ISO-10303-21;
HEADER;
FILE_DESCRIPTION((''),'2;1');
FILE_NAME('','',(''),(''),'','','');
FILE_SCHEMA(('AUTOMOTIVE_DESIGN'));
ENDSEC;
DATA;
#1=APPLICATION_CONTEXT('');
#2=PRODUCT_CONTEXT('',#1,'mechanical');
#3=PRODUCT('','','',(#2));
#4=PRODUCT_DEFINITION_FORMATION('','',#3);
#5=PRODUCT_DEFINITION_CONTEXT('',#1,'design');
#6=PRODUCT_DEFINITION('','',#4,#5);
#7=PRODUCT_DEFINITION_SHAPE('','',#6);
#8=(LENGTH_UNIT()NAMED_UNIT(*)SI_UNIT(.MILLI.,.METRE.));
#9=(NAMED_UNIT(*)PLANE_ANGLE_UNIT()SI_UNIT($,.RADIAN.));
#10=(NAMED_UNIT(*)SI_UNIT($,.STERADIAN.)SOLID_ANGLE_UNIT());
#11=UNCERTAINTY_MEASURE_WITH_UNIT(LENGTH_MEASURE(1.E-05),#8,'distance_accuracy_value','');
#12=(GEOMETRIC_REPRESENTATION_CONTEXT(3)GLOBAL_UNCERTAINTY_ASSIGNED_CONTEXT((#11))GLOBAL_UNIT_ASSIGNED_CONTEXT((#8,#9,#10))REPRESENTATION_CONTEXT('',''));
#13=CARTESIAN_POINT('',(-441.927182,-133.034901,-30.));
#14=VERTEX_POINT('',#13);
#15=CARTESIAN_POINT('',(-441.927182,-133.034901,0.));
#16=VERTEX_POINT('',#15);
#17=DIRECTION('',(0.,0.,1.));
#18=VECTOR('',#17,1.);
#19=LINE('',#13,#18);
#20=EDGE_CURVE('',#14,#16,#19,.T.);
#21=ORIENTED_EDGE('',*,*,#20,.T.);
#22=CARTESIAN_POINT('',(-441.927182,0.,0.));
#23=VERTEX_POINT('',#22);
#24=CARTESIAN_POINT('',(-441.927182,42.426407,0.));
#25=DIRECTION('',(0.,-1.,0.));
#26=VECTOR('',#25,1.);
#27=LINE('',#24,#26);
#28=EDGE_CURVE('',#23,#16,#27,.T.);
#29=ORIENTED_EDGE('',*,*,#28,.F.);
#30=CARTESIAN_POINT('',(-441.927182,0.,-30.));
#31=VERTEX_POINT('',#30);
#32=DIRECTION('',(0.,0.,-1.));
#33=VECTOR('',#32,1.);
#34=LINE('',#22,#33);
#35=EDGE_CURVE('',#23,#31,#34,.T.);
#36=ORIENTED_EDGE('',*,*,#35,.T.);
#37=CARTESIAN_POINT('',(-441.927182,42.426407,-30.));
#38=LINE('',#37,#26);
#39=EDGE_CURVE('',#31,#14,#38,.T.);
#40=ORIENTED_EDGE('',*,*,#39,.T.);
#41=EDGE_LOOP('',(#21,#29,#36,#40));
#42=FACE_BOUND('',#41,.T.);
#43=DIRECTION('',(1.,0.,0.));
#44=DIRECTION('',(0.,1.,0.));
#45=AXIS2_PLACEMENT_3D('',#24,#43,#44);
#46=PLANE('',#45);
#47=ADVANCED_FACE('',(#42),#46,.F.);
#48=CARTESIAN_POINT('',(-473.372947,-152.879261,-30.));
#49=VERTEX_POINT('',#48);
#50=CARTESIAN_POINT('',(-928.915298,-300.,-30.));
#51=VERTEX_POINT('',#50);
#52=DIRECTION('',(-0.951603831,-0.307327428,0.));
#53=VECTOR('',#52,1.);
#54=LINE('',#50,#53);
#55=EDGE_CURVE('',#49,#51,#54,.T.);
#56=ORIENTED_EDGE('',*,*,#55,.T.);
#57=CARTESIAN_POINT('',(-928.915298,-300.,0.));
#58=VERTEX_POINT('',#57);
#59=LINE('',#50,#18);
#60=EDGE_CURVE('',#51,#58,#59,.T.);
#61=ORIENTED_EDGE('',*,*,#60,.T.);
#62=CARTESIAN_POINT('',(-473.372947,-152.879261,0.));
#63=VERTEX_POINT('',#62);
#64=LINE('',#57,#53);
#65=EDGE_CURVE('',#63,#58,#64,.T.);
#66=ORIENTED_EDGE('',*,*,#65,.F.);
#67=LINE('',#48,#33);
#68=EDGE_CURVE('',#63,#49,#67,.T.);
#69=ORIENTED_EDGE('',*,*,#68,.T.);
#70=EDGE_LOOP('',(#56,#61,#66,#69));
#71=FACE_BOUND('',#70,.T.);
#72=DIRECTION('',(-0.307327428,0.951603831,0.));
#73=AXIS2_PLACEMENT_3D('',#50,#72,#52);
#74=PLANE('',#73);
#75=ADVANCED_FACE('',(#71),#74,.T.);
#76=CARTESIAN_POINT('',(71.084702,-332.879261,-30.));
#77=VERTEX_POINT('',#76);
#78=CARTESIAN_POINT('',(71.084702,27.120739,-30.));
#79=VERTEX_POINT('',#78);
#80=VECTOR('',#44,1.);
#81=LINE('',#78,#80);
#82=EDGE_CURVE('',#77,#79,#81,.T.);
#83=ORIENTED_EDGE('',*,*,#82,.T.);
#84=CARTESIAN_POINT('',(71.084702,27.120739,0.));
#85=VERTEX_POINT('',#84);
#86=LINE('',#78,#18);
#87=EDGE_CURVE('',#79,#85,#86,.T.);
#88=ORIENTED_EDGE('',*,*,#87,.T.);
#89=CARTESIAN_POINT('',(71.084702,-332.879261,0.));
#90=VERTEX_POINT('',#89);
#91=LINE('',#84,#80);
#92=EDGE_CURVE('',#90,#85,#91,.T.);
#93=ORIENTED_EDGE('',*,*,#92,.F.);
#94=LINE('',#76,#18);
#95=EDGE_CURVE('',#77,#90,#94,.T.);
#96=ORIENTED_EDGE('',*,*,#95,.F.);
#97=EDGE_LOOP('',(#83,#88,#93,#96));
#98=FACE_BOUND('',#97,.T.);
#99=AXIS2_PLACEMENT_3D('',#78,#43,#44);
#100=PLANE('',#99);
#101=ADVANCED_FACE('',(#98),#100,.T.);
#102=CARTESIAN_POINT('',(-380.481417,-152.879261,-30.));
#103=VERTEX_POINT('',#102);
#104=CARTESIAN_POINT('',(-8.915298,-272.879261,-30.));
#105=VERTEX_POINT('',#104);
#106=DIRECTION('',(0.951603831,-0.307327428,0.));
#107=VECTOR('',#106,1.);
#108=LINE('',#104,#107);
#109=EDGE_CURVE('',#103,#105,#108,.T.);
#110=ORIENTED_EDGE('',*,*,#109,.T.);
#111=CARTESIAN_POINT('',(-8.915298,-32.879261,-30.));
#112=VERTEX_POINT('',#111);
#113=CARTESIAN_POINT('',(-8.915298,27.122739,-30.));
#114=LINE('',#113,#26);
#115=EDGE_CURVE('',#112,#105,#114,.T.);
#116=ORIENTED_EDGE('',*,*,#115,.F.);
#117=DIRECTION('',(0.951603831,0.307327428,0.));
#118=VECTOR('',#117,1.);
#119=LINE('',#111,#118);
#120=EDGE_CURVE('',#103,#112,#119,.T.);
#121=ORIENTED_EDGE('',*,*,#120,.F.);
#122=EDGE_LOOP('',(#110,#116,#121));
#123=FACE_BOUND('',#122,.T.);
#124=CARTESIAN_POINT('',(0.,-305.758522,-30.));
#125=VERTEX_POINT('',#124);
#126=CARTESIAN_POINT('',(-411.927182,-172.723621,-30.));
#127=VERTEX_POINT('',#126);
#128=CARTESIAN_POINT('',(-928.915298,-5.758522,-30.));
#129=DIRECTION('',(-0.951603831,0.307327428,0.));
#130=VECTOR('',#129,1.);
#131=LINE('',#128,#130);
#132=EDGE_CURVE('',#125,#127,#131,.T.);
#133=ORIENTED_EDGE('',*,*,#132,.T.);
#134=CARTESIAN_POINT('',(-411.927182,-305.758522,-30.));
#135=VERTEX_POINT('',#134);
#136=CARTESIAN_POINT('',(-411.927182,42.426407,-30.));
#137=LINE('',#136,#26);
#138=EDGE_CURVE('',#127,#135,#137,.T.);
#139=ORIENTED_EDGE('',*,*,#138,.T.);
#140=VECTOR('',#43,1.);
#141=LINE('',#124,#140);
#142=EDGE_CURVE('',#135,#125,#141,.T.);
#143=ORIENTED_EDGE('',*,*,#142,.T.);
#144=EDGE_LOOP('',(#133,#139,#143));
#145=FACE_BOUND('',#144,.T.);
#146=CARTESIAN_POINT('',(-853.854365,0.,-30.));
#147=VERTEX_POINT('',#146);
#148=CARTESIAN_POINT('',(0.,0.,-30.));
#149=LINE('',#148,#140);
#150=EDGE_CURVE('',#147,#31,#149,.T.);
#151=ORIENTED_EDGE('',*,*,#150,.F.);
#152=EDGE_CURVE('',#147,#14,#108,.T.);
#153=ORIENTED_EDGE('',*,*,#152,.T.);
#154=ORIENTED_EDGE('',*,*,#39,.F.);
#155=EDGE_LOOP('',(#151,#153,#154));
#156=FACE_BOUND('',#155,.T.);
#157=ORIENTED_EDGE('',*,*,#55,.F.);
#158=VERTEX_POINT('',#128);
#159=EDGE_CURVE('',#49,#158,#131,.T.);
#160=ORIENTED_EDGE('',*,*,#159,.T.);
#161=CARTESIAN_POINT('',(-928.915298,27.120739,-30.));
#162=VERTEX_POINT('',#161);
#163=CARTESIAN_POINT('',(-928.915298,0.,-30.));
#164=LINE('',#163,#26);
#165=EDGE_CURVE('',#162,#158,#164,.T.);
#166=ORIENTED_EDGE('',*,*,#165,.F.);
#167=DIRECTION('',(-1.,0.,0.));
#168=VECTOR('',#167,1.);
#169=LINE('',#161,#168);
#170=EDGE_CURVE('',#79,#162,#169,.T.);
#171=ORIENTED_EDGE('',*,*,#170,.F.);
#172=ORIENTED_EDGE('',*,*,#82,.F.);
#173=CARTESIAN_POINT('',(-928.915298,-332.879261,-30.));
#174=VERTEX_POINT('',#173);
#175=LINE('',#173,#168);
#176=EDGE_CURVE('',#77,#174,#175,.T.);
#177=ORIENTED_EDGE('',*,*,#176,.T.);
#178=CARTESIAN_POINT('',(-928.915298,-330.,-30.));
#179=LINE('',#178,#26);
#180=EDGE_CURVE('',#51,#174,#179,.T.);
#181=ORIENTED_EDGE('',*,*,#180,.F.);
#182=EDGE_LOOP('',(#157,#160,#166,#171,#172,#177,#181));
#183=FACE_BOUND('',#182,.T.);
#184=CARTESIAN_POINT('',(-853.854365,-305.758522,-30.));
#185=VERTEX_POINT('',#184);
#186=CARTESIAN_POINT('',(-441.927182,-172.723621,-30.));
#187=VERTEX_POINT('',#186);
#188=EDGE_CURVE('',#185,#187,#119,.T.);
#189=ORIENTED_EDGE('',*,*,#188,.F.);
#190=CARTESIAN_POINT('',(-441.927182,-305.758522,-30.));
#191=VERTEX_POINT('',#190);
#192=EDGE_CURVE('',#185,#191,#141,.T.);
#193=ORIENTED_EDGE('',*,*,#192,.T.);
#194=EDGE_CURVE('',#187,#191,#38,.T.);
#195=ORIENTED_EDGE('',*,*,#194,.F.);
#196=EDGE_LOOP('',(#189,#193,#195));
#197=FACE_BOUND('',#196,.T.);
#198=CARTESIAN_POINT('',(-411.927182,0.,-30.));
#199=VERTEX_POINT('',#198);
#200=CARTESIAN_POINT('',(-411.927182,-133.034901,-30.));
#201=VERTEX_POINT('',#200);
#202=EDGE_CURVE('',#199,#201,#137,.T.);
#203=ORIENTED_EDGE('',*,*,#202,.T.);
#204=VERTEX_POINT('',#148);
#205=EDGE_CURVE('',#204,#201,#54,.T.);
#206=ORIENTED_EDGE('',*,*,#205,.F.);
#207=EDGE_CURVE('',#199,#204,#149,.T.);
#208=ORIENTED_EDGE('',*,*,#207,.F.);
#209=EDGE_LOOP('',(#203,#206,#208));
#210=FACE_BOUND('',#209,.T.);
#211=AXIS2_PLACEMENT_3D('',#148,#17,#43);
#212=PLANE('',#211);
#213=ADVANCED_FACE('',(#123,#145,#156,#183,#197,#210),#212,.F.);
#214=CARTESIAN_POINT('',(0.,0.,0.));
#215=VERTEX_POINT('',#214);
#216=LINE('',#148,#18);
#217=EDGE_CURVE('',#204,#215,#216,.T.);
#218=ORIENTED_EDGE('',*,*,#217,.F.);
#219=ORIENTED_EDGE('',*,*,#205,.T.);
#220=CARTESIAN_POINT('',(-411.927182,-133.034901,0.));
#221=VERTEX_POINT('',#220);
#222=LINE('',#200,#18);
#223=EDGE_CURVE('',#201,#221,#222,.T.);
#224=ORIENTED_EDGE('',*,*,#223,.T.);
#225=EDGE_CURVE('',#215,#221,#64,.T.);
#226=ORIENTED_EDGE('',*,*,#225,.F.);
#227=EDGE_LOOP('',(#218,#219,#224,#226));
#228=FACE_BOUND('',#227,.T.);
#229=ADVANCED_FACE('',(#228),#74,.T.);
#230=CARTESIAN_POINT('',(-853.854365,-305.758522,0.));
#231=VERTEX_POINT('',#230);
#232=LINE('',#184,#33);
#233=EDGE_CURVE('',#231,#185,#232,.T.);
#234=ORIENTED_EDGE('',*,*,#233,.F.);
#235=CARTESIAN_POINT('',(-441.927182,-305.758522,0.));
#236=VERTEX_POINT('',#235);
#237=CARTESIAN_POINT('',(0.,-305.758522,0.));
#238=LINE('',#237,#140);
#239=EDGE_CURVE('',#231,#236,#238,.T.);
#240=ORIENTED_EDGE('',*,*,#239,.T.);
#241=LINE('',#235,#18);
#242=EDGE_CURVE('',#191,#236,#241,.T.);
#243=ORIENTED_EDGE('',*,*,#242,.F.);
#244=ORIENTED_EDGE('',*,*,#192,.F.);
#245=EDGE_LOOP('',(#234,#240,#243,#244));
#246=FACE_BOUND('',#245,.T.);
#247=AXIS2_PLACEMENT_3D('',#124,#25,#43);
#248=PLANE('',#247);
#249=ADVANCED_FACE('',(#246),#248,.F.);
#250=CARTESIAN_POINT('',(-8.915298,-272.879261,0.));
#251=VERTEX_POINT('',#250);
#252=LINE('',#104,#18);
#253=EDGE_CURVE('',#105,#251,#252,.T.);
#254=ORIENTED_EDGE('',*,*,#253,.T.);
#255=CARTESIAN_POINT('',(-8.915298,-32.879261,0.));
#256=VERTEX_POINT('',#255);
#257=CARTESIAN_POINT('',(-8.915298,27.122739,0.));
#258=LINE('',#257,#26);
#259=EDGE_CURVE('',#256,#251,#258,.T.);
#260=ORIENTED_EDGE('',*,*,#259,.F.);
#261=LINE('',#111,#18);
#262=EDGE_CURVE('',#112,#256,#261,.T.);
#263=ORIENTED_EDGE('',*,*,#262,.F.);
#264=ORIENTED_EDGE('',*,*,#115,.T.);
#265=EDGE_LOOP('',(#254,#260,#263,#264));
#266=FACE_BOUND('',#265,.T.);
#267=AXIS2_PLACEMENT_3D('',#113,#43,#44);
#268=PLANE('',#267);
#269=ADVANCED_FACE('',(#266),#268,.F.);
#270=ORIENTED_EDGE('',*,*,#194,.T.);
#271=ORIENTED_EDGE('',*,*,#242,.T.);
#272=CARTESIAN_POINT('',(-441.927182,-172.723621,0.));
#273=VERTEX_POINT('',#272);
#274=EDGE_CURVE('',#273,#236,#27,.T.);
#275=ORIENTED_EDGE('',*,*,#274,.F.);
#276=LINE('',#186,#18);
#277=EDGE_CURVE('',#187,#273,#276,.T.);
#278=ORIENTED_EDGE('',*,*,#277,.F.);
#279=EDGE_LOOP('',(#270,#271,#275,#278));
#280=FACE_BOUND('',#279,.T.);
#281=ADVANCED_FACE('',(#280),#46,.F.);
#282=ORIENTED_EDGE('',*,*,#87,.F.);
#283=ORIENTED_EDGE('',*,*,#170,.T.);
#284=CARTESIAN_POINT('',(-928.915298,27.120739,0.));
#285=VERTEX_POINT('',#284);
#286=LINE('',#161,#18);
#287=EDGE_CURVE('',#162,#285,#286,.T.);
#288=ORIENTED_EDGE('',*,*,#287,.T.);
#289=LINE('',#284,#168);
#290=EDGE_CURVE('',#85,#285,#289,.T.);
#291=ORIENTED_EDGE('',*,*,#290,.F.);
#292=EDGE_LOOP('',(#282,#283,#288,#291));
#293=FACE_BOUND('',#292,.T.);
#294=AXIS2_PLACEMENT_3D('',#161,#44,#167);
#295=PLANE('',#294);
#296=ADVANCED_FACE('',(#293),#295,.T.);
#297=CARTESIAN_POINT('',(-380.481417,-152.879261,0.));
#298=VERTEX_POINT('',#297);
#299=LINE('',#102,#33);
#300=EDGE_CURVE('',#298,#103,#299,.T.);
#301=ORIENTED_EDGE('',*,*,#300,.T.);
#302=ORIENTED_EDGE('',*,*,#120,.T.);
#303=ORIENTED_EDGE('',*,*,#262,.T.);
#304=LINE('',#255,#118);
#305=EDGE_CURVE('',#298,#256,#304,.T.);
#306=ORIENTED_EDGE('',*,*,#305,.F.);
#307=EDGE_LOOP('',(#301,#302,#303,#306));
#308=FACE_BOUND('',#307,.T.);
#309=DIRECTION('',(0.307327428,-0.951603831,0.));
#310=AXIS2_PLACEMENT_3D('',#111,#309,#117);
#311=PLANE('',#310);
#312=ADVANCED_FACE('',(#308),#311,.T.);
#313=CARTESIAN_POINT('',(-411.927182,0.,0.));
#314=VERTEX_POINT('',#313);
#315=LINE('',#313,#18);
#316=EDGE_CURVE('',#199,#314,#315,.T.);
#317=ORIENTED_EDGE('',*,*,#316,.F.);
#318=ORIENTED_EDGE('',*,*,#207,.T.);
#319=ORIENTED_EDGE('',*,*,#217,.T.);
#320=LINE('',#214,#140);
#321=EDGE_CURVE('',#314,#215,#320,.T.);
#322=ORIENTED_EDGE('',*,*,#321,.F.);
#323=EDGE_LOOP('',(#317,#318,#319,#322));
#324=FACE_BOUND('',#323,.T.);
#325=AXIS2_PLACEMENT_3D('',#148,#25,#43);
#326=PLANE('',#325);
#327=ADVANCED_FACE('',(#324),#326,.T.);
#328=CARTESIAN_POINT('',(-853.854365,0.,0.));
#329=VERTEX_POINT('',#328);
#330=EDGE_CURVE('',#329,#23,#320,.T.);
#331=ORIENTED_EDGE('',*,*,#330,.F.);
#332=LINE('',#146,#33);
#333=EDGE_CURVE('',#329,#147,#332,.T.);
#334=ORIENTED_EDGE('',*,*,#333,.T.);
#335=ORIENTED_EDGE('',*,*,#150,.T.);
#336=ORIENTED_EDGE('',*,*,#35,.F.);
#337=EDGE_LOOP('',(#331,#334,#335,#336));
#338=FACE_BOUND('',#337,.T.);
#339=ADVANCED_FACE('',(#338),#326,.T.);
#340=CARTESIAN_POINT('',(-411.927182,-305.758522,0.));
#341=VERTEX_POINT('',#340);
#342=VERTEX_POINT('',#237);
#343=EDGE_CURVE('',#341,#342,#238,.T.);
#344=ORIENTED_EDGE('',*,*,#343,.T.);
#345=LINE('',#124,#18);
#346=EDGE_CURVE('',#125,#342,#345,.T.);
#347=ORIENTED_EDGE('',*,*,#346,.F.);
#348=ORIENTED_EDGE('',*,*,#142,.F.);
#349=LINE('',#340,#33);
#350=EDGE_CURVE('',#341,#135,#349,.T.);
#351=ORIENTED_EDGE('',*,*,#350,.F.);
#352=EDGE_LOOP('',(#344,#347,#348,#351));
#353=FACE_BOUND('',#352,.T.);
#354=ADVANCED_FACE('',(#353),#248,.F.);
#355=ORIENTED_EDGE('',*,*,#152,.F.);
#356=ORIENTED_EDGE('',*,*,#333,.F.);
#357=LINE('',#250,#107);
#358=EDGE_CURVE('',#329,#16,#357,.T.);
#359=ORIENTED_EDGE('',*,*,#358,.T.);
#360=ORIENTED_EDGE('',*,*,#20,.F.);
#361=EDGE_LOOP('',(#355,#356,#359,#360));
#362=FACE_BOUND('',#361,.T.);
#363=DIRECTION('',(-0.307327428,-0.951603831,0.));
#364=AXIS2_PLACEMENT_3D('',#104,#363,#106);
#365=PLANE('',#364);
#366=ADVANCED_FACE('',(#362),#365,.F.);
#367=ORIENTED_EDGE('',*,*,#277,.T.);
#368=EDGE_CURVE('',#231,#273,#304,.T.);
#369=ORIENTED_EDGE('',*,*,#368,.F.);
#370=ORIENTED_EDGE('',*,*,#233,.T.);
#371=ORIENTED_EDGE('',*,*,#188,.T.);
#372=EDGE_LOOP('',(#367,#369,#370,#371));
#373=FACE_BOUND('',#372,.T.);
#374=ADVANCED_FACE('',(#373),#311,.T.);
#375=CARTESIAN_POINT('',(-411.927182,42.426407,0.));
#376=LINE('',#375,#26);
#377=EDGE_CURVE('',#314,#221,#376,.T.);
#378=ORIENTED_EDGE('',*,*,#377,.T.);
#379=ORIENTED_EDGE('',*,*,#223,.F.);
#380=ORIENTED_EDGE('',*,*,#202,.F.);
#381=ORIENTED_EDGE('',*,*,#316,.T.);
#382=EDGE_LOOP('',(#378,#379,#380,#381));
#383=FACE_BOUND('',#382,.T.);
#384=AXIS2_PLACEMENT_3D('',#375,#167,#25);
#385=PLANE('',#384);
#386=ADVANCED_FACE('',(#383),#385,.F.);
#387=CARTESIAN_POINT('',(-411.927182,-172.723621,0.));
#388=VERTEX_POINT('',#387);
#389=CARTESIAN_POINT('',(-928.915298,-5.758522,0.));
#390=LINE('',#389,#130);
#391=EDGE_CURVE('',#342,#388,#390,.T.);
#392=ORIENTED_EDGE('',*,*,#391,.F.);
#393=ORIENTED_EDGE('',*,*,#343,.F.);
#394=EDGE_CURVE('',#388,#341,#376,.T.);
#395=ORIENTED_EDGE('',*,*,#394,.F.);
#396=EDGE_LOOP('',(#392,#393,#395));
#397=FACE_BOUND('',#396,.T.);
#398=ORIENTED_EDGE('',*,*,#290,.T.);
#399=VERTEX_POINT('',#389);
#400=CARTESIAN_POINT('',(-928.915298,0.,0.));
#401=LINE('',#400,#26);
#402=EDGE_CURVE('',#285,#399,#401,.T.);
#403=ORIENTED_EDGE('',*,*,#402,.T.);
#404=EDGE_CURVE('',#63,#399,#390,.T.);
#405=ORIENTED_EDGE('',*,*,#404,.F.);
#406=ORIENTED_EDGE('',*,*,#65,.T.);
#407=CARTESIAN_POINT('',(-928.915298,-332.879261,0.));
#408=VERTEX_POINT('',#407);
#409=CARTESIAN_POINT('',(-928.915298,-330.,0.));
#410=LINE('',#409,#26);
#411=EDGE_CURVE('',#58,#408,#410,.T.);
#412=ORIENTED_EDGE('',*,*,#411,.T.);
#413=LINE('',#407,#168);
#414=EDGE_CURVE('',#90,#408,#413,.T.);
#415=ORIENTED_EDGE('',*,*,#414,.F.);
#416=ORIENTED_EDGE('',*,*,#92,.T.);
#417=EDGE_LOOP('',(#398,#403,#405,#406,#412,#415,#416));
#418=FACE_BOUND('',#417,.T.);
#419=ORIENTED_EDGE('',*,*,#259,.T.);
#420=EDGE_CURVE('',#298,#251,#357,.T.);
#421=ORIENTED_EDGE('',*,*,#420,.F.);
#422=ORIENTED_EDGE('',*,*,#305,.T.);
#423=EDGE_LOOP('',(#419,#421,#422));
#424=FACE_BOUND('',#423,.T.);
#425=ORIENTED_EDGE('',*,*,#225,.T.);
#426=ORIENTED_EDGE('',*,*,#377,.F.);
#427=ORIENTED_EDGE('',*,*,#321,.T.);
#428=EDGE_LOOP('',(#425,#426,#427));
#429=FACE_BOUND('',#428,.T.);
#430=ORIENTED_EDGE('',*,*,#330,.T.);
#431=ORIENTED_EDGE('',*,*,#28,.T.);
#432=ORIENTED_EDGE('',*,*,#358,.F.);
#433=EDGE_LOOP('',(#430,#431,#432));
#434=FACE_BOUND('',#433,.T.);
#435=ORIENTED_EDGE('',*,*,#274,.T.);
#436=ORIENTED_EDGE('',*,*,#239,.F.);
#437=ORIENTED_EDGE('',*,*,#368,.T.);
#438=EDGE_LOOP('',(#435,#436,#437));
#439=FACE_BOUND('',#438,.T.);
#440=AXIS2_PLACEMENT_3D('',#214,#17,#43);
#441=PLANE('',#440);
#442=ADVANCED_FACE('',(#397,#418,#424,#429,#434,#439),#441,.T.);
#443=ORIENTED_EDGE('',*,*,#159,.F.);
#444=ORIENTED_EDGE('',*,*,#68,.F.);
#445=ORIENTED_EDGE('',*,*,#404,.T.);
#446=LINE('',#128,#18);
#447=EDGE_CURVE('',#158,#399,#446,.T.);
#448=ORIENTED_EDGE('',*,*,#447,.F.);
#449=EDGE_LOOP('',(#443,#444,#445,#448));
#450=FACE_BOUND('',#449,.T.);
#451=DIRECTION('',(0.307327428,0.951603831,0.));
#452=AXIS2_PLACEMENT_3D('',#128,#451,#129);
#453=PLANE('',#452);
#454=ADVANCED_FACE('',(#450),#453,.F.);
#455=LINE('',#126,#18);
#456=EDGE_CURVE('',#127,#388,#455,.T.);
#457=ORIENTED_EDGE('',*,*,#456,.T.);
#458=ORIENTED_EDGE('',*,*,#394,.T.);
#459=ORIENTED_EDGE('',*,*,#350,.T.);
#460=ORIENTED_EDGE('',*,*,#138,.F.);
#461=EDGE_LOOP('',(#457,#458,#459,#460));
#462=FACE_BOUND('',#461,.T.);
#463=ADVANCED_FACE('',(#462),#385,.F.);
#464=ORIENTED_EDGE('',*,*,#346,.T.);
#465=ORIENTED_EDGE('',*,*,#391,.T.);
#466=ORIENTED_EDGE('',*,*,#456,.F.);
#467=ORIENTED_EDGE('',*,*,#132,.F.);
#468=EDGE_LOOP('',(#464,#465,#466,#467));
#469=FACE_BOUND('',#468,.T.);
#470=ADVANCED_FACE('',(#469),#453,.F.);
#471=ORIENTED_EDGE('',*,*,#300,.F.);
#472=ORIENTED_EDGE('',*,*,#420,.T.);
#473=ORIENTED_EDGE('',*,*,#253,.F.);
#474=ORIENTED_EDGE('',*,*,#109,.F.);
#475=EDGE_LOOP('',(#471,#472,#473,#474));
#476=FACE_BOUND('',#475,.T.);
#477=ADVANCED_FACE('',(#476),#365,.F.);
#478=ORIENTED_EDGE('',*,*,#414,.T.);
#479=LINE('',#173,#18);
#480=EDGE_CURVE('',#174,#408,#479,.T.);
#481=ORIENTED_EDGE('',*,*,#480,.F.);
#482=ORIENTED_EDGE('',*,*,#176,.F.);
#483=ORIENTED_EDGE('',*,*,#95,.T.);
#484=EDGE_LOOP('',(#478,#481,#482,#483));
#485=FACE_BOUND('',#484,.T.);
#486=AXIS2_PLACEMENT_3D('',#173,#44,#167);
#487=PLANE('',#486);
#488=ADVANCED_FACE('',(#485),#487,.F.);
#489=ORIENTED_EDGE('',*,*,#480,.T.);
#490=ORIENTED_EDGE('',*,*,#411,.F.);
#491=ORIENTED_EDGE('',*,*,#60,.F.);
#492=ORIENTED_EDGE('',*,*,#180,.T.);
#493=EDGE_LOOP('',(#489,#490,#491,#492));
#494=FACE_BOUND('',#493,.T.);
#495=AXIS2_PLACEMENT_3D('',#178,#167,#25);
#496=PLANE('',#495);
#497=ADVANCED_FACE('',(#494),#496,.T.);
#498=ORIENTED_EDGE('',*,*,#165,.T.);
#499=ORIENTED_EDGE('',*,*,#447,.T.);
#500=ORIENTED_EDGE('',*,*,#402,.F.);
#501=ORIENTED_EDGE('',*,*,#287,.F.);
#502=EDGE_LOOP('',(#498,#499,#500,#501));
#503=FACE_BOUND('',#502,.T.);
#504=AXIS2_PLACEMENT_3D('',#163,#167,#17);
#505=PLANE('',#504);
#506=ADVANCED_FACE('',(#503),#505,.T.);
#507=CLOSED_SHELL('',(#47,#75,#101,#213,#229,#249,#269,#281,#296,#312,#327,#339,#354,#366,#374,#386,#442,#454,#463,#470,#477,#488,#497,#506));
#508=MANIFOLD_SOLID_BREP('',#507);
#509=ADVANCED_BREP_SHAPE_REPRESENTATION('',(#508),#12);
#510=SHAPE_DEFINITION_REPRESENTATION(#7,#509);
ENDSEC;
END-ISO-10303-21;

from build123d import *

# Parameters (mm, degrees)
ORIGINAL_TRUSS_PART_DEPTH = 30
SKETCH14_W                = 30
SKETCH14_H                = 30
CENTER_SUPPORT_DEPTH      = 305.758522
RIGHT_SUPPORT_REACH       = 302
SKETCH15_W                = 80
SKETCH15_H                = 30


with BuildPart() as part:
    # Sketch2 → Original Truss Part (new body)
    with BuildSketch(Plane.XY):
        Polygon((0, 0), (-928.915298157, 0), (-928.915298157, 27.120739154), (71.084701843, 27.120739154), (71.084701843, -32.879260846), (-8.915298157, -32.879260846), (-928.915298157, -330), (-928.915298157, -300), align=None)
    original_truss_part = extrude(amount=-ORIGINAL_TRUSS_PART_DEPTH)

    # OG Part Mirror: Original Truss Part across plane
    add(original_truss_part.mirror(Plane.ZX.offset(-152.879260846)))

    # Sketch14 → Center Support (add)
    with BuildSketch(Plane(origin=(0, -305.758521692, 0), x_dir=(1, 0, 0), z_dir=(0, 1, 0))):
        with Locations((-426.927182328, 15)):
            Rectangle(SKETCH14_W, SKETCH14_H)
    extrude(amount=CENTER_SUPPORT_DEPTH)

    # Right Support: up to this plane
    right_support_end = Plane(origin=(-8.915298157, -32.879260846, -30), z_dir=(0.307327428, -0.951603831, 0))
    # Sketch15 → Right Support (add, up to the surface)
    with BuildSketch(Plane(origin=(0, -272.879260846, 0), x_dir=(1, 0, 0), z_dir=(0, 1, 0)), mode=Mode.PRIVATE) as right_support_sk1:
        with Locations((31.084701843, 15)):
            Rectangle(SKETCH15_W, SKETCH15_H)
    right_support_tool1 = split(extrude(right_support_sk1.sketch, amount=RIGHT_SUPPORT_REACH, mode=Mode.PRIVATE), bisect_by=right_support_end, keep=Keep.BOTH, mode=Mode.PRIVATE)
    add(right_support_tool1.solids().sort_by_distance((31.084702, -272.879261, -15))[0])


solid = part.part
